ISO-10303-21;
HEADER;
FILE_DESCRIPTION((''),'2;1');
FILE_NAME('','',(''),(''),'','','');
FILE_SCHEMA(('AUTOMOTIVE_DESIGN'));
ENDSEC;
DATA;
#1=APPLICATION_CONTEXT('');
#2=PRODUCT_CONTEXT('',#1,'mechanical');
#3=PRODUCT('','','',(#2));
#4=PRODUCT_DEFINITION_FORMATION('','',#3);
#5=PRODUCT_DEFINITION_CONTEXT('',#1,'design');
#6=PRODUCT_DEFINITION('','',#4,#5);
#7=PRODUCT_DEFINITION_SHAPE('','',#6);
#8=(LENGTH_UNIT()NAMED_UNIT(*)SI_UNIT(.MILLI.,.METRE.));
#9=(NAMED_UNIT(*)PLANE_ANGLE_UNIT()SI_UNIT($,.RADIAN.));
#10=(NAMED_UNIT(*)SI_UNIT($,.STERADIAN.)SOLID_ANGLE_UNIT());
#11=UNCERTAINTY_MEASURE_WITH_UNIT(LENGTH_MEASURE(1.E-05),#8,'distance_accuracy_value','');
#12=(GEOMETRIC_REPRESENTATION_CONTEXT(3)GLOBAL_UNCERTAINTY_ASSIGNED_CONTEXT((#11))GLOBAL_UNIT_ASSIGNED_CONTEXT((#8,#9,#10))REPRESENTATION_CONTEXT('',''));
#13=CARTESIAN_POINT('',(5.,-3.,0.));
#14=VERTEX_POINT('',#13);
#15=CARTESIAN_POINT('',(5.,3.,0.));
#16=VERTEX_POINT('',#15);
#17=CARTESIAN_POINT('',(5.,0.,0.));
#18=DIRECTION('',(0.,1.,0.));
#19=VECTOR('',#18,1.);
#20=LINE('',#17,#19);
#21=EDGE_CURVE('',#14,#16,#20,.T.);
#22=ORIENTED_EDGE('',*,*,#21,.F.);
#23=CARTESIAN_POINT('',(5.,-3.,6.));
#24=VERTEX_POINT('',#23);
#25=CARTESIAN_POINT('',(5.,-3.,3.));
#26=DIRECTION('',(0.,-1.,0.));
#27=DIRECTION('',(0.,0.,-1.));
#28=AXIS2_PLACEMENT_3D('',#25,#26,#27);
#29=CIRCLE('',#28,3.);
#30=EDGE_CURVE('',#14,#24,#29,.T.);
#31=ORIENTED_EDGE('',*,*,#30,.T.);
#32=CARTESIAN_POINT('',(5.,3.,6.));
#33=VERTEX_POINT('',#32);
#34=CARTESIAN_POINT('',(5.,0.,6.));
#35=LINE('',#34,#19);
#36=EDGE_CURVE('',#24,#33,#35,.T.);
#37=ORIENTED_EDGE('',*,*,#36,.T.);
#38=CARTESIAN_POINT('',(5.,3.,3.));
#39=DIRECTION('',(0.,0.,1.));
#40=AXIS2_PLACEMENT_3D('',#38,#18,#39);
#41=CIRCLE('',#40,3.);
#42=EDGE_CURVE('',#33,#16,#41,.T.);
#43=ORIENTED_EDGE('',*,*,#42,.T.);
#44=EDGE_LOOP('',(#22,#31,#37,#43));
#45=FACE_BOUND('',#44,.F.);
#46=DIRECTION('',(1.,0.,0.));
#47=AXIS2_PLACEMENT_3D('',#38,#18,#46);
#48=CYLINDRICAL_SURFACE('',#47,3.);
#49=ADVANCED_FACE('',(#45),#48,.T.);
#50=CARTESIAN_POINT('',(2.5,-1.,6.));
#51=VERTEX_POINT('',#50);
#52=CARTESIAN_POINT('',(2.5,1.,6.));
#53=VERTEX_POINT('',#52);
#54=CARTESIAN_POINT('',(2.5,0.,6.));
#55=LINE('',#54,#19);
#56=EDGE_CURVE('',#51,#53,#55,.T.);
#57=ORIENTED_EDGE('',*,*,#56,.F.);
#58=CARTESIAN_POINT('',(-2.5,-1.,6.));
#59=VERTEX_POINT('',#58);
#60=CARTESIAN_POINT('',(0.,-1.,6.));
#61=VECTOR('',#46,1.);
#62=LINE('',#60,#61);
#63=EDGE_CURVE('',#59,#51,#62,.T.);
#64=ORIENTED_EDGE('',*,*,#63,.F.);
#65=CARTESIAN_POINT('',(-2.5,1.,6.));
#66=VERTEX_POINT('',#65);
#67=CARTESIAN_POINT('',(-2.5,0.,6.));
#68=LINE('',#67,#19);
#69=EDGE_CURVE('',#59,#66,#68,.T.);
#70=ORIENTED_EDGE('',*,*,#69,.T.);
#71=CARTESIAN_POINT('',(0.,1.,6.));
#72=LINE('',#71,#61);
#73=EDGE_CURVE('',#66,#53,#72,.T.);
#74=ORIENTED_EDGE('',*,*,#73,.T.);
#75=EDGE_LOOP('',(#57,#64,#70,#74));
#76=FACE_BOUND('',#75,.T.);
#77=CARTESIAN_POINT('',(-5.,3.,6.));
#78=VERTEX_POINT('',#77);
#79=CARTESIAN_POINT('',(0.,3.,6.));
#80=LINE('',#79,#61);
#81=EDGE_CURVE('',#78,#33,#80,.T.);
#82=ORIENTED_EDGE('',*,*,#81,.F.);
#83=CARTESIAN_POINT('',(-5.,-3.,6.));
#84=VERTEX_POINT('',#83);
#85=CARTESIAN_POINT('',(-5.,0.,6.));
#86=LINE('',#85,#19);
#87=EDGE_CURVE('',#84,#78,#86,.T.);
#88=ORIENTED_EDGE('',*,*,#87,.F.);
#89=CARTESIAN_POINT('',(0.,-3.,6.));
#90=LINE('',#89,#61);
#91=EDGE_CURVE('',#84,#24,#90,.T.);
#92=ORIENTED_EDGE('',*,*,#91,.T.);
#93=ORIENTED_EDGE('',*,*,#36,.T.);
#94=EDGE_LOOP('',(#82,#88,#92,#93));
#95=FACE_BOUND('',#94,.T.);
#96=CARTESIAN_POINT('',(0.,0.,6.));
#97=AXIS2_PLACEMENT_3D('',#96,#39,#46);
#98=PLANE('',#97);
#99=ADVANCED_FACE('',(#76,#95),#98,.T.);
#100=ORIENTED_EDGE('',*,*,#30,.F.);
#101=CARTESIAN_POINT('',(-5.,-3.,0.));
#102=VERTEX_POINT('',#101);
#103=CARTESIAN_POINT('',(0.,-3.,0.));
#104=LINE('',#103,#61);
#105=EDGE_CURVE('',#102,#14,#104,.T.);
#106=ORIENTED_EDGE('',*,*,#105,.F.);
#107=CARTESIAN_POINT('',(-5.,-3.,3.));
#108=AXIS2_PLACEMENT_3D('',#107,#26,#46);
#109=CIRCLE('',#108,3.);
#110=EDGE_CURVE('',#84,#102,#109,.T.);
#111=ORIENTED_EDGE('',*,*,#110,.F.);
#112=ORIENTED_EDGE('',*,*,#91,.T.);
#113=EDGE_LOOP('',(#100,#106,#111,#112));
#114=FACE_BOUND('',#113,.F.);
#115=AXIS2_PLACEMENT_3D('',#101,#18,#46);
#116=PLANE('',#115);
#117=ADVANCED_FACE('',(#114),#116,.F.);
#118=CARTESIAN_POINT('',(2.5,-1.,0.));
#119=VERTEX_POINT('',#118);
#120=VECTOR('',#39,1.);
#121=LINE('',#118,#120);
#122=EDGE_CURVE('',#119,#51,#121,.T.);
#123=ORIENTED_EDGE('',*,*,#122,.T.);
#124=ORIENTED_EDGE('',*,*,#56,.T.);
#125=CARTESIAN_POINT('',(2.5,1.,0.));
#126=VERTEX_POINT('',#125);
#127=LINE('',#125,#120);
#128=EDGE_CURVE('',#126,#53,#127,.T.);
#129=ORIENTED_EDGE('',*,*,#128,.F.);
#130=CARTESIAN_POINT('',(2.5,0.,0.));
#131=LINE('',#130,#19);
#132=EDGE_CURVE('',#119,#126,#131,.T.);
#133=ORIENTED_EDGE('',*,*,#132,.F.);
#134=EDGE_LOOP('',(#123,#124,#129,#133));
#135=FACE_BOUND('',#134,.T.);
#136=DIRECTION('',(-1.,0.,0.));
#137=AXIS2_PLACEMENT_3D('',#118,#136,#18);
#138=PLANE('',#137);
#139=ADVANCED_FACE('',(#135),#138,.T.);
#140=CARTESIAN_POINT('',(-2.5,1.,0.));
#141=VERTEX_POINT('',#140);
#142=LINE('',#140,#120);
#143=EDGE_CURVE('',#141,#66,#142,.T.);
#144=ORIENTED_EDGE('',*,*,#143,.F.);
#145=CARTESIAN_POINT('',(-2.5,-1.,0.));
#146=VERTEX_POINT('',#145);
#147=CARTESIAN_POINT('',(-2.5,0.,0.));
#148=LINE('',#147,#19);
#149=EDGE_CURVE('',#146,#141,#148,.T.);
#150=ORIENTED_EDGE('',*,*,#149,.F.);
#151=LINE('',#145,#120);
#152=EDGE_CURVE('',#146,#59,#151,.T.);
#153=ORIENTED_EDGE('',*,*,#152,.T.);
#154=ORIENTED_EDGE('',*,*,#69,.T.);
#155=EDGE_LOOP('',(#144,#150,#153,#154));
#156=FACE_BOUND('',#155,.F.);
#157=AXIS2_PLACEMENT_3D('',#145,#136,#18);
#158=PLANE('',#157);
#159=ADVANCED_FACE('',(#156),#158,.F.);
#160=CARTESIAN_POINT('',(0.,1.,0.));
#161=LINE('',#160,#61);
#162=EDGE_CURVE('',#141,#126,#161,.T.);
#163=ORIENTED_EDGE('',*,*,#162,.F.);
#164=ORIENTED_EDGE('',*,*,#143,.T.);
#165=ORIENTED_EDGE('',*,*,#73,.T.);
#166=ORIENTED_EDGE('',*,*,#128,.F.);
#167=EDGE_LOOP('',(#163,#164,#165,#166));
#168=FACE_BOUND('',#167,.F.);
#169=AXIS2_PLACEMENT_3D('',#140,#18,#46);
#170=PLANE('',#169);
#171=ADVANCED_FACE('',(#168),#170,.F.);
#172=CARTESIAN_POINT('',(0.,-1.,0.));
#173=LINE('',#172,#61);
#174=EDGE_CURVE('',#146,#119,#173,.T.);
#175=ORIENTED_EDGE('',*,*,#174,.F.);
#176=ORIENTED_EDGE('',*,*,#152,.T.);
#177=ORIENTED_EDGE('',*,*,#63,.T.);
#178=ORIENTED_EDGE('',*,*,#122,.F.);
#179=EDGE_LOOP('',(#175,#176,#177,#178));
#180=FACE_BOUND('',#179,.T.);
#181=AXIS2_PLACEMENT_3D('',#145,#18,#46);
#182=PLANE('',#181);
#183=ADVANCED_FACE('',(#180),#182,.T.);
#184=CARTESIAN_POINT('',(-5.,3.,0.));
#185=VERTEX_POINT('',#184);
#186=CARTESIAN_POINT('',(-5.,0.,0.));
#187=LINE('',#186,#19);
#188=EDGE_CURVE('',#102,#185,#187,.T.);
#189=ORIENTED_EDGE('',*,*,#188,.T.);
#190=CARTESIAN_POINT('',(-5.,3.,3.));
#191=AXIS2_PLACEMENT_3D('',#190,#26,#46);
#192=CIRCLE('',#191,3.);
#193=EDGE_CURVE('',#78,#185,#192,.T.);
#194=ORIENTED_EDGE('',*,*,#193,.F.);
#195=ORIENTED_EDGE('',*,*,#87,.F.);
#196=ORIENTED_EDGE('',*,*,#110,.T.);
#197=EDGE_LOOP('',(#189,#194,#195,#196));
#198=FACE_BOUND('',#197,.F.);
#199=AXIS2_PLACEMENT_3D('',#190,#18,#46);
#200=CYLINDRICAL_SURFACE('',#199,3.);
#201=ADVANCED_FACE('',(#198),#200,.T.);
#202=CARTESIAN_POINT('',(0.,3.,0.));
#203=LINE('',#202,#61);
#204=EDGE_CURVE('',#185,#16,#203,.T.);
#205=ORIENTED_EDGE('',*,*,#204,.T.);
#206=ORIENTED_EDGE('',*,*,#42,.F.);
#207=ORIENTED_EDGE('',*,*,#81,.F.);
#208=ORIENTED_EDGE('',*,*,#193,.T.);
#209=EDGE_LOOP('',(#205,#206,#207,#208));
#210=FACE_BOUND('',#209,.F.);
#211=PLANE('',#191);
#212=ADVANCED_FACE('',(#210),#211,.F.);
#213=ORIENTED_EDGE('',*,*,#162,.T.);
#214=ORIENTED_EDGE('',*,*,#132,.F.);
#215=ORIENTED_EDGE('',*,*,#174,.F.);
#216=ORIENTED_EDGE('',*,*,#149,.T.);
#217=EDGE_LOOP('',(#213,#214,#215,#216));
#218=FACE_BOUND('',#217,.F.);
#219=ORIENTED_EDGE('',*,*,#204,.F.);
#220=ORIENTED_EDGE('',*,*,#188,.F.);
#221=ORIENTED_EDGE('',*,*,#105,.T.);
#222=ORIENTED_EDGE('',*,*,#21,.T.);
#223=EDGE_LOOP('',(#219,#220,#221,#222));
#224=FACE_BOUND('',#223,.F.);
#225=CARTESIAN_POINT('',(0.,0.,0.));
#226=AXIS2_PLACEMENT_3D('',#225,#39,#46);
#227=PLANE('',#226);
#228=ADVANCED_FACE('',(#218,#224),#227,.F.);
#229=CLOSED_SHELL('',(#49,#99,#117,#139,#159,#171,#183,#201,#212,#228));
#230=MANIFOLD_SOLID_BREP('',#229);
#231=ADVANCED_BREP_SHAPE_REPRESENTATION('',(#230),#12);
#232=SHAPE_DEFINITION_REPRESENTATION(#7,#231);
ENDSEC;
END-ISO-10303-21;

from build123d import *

# Parameters (mm, degrees)
BOX001_W          = 5
BOX001_H          = 2
BOX001_DEPTH      = 6
CYLINDER001_R     = 3
CYLINDER001_DEPTH = 6
BOX_W             = 10
BOX_H             = 6
BOX_DEPTH         = 6
CYLINDER_R        = 3
CYLINDER_DEPTH    = 6


with BuildPart() as insert:
    # Box001 → Box001 (new body)
    with BuildSketch(Plane(origin=(-2.5, -1, 0), x_dir=(1, 0, 0), z_dir=(0, 0, 1))):
        with Locations((2.5, 1)):
            Rectangle(BOX001_W, BOX001_H)
    extrude(amount=BOX001_DEPTH)


with BuildPart() as sliderightside:
    # Cylinder001 → Cylinder001 (new body)
    with BuildSketch(Plane(origin=(5, 3, 0), x_dir=(1, 0, 0), z_dir=(0, -1, 0))):
        Circle(CYLINDER001_R)
    extrude(amount=CYLINDER001_DEPTH)


with BuildPart() as slidebox:
    # Box → Box (new body)
    with BuildSketch(Plane(origin=(-5, -3, -3), x_dir=(1, 0, 0), z_dir=(0, 0, 1))):
        with Locations((5, 3)):
            Rectangle(BOX_W, BOX_H)
    extrude(amount=BOX_DEPTH)


with BuildPart() as slidetotal:
    # Cylinder → Cylinder (new body)
    with BuildSketch(Plane(origin=(-5, 3, 0), x_dir=(1, 0, 0), z_dir=(0, -1, 0))):
        Circle(CYLINDER_R)
    extrude(amount=CYLINDER_DEPTH)

    # Fusion: union SlideRightSide, SlideBox
    add(sliderightside.part)
    add(slidebox.part)


with BuildPart() as slidetotal_1:
    # Fusion placement: moved
    add(slidetotal.part.moved(Location((0, 0, 3))))

    # Cut: cut Insert
    add(insert.part, mode=Mode.SUBTRACT)


solid = slidetotal_1.part
